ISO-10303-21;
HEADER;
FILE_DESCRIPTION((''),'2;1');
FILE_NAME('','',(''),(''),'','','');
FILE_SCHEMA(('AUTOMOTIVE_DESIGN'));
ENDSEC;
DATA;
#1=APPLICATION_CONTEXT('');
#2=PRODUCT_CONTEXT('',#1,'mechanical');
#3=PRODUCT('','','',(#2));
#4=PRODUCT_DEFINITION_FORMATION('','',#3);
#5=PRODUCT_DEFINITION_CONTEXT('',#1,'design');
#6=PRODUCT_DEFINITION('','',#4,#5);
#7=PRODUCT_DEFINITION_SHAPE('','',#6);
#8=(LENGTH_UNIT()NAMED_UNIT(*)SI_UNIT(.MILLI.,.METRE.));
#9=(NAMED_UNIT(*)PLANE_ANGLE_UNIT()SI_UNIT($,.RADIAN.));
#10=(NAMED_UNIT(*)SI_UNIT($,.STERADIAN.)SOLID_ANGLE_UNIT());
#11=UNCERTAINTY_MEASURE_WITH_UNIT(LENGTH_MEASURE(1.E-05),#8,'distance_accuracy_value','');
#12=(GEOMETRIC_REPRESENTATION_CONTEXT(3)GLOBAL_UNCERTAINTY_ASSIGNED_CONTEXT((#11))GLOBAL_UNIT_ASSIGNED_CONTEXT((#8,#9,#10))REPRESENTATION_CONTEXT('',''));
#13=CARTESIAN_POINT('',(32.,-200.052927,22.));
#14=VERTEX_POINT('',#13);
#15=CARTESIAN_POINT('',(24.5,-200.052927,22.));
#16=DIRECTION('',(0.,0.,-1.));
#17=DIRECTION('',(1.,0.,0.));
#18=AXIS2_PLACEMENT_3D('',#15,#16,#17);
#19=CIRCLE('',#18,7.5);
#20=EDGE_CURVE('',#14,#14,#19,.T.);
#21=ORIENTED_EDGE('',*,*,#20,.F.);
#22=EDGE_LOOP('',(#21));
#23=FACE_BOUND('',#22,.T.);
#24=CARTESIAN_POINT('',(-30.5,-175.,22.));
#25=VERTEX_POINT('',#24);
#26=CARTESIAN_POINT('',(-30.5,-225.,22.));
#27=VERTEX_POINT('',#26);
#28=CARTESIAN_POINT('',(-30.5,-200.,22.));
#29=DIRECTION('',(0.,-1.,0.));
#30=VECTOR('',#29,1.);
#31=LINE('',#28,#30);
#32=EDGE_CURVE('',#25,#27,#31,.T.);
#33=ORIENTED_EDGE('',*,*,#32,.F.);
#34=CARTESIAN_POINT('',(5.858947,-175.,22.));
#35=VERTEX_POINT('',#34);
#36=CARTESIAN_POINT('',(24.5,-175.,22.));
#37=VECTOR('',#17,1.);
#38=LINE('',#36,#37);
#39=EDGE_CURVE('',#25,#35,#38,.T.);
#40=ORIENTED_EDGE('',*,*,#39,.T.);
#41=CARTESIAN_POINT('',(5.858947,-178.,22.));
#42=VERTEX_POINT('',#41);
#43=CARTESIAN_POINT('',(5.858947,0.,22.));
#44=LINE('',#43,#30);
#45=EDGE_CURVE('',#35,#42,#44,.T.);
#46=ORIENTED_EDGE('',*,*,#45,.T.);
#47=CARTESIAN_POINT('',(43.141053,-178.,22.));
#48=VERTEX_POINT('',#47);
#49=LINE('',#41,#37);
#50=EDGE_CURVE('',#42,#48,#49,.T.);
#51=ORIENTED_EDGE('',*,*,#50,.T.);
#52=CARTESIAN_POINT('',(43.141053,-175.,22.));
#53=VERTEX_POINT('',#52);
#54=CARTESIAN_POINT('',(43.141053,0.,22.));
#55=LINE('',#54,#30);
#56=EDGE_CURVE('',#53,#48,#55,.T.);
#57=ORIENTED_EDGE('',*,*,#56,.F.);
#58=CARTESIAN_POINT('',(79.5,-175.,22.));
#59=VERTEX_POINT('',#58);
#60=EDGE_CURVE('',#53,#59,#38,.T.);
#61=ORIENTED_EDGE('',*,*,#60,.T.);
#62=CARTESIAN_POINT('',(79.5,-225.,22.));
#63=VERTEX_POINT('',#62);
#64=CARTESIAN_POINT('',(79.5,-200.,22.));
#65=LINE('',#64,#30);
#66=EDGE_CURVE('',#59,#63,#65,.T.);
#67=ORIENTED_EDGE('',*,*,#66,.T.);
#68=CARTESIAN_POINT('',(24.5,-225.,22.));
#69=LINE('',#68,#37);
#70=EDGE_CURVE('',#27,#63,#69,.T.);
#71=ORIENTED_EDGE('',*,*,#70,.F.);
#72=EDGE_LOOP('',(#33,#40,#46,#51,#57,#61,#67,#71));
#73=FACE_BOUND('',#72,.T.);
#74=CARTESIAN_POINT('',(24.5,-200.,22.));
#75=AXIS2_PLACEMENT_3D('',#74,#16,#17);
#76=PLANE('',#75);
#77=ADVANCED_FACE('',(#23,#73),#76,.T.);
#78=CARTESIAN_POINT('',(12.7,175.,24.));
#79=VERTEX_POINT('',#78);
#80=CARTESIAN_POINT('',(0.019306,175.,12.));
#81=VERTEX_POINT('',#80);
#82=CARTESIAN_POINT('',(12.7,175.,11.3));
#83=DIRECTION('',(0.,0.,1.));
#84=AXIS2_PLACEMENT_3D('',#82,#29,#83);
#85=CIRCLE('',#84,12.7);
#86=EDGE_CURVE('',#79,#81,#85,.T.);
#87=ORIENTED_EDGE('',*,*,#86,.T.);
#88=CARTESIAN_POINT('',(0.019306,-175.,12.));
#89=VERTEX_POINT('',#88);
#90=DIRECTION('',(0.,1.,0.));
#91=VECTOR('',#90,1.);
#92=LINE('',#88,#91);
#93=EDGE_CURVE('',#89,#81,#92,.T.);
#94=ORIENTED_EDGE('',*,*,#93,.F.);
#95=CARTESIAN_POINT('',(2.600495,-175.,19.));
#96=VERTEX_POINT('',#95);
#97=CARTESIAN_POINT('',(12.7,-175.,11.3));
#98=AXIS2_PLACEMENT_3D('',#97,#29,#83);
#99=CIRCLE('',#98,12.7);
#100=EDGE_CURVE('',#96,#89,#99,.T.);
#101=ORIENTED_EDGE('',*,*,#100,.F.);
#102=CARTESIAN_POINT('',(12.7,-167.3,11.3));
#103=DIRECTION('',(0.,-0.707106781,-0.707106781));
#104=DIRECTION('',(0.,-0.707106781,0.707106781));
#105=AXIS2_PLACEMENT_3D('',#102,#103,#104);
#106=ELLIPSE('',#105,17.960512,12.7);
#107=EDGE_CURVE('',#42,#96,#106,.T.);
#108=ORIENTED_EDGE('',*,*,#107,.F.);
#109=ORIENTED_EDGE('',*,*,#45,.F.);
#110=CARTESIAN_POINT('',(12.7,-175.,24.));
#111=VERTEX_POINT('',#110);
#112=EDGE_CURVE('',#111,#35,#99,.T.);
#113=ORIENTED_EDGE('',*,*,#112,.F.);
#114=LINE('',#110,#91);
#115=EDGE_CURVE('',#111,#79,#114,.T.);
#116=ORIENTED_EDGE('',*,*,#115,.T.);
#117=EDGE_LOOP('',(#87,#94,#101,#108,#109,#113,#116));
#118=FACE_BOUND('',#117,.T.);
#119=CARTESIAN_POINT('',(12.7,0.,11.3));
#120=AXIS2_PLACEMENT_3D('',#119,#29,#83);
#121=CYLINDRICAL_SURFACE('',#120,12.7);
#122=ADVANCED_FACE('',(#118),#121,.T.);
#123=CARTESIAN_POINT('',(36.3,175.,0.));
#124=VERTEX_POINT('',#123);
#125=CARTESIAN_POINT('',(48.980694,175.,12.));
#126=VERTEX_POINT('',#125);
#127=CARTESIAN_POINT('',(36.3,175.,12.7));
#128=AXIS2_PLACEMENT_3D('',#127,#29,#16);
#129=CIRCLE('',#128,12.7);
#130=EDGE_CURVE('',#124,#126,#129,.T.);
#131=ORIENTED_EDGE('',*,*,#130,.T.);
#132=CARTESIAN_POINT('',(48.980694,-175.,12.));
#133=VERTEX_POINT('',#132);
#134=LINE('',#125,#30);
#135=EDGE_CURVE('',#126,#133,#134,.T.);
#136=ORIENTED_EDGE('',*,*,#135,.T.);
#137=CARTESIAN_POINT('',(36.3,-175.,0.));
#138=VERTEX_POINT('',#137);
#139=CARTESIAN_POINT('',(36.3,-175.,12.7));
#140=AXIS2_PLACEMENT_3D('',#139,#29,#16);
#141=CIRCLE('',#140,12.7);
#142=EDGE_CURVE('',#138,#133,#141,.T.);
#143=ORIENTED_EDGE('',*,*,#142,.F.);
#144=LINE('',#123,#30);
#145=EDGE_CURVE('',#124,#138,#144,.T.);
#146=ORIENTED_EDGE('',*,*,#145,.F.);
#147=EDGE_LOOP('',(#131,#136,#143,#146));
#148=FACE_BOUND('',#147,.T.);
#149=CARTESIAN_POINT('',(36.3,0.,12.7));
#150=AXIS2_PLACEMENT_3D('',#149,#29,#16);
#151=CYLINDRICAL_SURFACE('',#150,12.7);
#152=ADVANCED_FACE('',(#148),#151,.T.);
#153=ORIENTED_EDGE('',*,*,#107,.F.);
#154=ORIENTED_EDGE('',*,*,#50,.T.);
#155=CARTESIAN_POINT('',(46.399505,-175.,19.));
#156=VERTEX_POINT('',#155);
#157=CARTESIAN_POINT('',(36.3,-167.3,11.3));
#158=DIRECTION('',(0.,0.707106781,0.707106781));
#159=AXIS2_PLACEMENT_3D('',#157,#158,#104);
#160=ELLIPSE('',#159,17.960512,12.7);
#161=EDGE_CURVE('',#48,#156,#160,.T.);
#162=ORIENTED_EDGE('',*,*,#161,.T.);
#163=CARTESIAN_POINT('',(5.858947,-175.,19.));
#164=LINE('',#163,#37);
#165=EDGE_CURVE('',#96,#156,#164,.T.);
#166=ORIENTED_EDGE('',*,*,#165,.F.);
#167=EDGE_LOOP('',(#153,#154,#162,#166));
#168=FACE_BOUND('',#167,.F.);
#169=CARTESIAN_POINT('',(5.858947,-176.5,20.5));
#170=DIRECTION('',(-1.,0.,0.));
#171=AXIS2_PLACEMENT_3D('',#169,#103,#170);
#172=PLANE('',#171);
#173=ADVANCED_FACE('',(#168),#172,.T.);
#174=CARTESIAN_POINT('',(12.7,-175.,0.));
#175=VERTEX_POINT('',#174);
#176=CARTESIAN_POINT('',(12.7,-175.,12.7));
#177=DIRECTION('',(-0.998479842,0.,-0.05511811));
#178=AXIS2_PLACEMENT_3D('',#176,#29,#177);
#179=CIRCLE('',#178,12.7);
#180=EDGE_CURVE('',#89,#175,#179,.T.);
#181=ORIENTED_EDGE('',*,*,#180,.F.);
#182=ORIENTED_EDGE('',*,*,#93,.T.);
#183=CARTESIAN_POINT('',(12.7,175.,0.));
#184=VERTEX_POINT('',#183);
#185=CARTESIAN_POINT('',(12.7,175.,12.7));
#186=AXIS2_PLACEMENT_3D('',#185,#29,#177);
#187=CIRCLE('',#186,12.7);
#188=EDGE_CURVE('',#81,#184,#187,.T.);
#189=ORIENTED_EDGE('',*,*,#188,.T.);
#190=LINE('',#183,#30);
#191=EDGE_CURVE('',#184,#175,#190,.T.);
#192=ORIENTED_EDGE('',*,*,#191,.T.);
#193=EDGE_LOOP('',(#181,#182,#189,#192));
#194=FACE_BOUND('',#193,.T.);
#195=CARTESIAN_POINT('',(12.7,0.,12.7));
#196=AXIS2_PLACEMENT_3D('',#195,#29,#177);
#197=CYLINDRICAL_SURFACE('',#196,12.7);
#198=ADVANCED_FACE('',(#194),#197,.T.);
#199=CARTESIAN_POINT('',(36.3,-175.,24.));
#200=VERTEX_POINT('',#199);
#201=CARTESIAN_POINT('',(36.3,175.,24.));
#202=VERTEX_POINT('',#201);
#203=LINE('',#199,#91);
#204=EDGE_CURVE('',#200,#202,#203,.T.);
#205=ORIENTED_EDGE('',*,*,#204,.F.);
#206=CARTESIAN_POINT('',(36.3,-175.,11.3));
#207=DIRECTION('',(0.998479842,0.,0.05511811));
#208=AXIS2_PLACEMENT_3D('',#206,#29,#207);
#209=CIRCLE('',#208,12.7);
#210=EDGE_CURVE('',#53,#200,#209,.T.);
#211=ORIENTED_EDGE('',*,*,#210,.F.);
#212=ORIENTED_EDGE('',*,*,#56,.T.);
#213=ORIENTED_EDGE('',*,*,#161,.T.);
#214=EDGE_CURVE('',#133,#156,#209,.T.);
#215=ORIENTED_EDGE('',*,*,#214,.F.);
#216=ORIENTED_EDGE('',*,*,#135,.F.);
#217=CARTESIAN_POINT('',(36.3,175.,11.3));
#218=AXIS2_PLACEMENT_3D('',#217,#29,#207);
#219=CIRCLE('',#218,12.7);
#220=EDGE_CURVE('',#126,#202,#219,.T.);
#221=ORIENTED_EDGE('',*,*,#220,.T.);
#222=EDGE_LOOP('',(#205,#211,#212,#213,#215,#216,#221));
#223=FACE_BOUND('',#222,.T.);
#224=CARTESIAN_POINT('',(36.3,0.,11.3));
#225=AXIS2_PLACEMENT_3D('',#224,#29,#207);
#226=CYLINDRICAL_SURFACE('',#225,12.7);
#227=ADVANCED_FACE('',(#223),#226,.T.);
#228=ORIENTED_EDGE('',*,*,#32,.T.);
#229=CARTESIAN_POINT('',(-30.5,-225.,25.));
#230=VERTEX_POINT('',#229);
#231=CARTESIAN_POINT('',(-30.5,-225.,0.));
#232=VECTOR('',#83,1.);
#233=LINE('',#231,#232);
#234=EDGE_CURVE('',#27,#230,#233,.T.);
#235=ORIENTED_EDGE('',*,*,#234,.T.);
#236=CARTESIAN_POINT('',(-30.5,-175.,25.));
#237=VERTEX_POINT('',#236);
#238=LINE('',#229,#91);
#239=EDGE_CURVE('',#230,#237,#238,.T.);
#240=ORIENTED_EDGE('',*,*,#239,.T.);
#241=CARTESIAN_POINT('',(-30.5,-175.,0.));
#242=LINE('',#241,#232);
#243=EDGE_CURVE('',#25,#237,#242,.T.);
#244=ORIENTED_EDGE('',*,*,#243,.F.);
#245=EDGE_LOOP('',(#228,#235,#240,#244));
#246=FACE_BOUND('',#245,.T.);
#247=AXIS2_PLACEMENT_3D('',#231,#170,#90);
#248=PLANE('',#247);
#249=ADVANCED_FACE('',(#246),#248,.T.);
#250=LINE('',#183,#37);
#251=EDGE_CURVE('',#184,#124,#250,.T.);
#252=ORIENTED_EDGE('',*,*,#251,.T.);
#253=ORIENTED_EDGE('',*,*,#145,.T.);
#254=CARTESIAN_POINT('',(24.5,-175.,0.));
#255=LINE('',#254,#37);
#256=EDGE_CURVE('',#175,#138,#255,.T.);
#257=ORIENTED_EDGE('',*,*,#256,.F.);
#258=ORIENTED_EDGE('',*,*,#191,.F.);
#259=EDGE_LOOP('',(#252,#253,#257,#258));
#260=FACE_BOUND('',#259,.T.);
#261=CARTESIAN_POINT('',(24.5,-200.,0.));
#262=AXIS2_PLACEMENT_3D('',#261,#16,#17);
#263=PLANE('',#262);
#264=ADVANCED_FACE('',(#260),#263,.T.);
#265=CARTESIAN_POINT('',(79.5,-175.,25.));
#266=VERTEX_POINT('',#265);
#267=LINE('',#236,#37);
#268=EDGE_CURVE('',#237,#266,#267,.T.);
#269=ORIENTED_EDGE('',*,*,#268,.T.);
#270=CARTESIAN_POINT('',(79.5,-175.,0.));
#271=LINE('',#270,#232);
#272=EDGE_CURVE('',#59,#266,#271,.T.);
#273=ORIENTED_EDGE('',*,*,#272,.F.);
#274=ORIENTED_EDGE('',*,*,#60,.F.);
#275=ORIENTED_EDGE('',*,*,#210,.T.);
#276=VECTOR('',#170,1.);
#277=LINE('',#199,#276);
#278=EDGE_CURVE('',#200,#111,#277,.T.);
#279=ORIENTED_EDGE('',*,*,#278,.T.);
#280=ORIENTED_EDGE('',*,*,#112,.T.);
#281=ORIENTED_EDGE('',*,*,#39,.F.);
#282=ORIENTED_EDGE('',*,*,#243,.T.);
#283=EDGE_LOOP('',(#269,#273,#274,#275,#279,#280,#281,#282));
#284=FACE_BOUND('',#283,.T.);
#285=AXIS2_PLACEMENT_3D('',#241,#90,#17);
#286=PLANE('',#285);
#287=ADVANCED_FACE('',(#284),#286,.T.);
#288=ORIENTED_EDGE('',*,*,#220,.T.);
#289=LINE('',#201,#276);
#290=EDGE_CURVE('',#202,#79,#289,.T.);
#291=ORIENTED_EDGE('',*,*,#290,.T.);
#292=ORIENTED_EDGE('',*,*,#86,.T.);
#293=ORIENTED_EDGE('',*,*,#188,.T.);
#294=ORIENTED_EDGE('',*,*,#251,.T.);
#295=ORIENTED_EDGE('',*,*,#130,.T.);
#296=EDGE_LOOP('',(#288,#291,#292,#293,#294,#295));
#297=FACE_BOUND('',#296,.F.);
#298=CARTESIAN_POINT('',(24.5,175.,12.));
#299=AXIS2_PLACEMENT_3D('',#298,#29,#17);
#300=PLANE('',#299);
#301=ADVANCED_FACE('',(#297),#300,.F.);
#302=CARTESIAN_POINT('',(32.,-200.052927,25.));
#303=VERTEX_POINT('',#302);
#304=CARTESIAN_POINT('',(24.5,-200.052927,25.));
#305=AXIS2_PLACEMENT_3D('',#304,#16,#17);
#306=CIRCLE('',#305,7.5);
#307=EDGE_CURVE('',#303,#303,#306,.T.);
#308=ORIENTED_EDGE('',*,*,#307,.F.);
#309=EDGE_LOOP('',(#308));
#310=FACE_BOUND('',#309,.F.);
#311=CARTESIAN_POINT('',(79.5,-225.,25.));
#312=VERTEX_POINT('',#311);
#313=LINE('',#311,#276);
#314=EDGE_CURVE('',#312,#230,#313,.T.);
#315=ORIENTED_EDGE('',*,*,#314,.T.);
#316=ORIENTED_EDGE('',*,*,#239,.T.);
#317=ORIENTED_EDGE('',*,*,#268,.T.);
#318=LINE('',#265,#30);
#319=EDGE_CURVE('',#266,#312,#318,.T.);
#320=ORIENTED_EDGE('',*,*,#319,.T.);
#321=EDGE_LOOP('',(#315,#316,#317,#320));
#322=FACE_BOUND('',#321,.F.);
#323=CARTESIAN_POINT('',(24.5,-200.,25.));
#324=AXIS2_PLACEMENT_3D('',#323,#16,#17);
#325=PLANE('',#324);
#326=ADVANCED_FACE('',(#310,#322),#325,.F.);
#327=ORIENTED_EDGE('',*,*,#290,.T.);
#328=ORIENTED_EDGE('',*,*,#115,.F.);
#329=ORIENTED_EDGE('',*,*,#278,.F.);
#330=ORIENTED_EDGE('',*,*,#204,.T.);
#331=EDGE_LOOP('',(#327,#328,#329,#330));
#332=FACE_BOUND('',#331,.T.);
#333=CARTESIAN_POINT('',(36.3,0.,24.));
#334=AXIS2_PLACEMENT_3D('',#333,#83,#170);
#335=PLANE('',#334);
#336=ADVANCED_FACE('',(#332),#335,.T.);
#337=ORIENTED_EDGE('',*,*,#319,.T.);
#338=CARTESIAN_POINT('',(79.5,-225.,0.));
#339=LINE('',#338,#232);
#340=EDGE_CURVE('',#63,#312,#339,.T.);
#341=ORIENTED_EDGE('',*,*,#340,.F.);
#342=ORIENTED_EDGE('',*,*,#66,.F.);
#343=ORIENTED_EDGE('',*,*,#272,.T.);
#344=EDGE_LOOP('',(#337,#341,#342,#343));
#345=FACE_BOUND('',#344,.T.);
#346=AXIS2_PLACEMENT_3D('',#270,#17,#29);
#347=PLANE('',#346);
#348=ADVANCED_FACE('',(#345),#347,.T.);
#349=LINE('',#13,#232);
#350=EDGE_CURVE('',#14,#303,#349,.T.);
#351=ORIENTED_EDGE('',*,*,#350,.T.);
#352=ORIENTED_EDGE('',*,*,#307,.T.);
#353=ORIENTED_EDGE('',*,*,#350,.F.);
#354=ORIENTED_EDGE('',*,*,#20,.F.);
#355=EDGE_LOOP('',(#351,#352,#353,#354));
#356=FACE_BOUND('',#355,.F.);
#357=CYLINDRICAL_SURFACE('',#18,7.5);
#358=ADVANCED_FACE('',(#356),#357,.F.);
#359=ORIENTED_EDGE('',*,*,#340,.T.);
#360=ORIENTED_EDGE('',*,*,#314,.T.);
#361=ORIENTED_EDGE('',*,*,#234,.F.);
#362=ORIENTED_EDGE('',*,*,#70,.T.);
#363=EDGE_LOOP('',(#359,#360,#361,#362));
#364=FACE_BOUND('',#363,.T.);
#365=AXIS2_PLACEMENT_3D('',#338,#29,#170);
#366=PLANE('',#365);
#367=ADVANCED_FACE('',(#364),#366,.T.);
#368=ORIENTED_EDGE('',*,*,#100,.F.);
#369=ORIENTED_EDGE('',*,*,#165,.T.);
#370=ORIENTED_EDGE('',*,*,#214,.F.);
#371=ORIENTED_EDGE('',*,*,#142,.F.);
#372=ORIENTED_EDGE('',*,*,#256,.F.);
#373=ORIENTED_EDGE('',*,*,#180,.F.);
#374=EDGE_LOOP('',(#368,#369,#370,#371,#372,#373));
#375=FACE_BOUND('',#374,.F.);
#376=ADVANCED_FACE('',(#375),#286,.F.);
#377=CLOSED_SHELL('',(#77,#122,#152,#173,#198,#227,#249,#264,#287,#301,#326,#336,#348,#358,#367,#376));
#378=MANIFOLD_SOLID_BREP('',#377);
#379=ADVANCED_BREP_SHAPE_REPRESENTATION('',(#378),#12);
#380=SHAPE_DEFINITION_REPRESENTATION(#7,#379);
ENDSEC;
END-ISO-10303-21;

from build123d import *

# Parameters (mm, degrees)
F1_DEPTH = 175
F3_DEPTH = 25
F4_W     = 110
F4_H     = 50
F5_DEPTH = 22
F6_SIZE  = 3
F7_R     = 7.5
F8_DEPTH = 25


with BuildPart() as f1:
    # F0 (on Front) → F1 (new body, symmetric)
    with BuildSketch(Plane.XZ):
        with BuildLine():
            ThreePointArc((0.0193060127, 12), (3.9707388629, 3.4755758987), (12.7, 0))
            Line((12.7, 0), (36.3, 0))
            ThreePointArc((36.3, 0), (45.0292611371, 3.4755758987), (48.9806939873, 12))
            ThreePointArc((48.9806939873, 12), (45.0292611371, 20.5244241013), (36.3, 24))
            Line((36.3, 24), (12.7, 24))
            ThreePointArc((12.7, 24), (3.9707388629, 20.5244241013), (0.0193060127, 12))
        make_face()
    extrude(amount=F1_DEPTH, both=True)

    # F2 (on face) → F3 (join)
    with BuildSketch(Plane(origin=(0, 0, 0), x_dir=(1, 0, 0), z_dir=(0, 0, -1))):
        Polygon((79.5, 175), (79.5, 200), (79.5, 225), (-30.5, 225), (-30.5, 175), align=None)
    extrude(amount=-F3_DEPTH)

    # F4 (on face) → F5 (cut)
    with BuildSketch(Plane(origin=(0, 0, 0), x_dir=(1, 0, 0), z_dir=(0, 0, -1))):
        with Locations((24.5, 200)):
            Rectangle(F4_W, F4_H)
    extrude(amount=-F5_DEPTH, mode=Mode.SUBTRACT)

    # F6
    f6_edges = [f1.edges().sort_by_distance(p)[0] for p in [
        (24.5, -175, 22),
    ]]
    chamfer(f6_edges, length=F6_SIZE)

    # F7 (on face) → F8 (cut)
    with BuildSketch(Plane(origin=(0, 0, 22), x_dir=(1, 0, 0), z_dir=(0, 0, -1))):
        with Locations((24.5, 200.0529274344)):
            Circle(F7_R)
    extrude(amount=-F8_DEPTH, mode=Mode.SUBTRACT)


solid = f1.part
